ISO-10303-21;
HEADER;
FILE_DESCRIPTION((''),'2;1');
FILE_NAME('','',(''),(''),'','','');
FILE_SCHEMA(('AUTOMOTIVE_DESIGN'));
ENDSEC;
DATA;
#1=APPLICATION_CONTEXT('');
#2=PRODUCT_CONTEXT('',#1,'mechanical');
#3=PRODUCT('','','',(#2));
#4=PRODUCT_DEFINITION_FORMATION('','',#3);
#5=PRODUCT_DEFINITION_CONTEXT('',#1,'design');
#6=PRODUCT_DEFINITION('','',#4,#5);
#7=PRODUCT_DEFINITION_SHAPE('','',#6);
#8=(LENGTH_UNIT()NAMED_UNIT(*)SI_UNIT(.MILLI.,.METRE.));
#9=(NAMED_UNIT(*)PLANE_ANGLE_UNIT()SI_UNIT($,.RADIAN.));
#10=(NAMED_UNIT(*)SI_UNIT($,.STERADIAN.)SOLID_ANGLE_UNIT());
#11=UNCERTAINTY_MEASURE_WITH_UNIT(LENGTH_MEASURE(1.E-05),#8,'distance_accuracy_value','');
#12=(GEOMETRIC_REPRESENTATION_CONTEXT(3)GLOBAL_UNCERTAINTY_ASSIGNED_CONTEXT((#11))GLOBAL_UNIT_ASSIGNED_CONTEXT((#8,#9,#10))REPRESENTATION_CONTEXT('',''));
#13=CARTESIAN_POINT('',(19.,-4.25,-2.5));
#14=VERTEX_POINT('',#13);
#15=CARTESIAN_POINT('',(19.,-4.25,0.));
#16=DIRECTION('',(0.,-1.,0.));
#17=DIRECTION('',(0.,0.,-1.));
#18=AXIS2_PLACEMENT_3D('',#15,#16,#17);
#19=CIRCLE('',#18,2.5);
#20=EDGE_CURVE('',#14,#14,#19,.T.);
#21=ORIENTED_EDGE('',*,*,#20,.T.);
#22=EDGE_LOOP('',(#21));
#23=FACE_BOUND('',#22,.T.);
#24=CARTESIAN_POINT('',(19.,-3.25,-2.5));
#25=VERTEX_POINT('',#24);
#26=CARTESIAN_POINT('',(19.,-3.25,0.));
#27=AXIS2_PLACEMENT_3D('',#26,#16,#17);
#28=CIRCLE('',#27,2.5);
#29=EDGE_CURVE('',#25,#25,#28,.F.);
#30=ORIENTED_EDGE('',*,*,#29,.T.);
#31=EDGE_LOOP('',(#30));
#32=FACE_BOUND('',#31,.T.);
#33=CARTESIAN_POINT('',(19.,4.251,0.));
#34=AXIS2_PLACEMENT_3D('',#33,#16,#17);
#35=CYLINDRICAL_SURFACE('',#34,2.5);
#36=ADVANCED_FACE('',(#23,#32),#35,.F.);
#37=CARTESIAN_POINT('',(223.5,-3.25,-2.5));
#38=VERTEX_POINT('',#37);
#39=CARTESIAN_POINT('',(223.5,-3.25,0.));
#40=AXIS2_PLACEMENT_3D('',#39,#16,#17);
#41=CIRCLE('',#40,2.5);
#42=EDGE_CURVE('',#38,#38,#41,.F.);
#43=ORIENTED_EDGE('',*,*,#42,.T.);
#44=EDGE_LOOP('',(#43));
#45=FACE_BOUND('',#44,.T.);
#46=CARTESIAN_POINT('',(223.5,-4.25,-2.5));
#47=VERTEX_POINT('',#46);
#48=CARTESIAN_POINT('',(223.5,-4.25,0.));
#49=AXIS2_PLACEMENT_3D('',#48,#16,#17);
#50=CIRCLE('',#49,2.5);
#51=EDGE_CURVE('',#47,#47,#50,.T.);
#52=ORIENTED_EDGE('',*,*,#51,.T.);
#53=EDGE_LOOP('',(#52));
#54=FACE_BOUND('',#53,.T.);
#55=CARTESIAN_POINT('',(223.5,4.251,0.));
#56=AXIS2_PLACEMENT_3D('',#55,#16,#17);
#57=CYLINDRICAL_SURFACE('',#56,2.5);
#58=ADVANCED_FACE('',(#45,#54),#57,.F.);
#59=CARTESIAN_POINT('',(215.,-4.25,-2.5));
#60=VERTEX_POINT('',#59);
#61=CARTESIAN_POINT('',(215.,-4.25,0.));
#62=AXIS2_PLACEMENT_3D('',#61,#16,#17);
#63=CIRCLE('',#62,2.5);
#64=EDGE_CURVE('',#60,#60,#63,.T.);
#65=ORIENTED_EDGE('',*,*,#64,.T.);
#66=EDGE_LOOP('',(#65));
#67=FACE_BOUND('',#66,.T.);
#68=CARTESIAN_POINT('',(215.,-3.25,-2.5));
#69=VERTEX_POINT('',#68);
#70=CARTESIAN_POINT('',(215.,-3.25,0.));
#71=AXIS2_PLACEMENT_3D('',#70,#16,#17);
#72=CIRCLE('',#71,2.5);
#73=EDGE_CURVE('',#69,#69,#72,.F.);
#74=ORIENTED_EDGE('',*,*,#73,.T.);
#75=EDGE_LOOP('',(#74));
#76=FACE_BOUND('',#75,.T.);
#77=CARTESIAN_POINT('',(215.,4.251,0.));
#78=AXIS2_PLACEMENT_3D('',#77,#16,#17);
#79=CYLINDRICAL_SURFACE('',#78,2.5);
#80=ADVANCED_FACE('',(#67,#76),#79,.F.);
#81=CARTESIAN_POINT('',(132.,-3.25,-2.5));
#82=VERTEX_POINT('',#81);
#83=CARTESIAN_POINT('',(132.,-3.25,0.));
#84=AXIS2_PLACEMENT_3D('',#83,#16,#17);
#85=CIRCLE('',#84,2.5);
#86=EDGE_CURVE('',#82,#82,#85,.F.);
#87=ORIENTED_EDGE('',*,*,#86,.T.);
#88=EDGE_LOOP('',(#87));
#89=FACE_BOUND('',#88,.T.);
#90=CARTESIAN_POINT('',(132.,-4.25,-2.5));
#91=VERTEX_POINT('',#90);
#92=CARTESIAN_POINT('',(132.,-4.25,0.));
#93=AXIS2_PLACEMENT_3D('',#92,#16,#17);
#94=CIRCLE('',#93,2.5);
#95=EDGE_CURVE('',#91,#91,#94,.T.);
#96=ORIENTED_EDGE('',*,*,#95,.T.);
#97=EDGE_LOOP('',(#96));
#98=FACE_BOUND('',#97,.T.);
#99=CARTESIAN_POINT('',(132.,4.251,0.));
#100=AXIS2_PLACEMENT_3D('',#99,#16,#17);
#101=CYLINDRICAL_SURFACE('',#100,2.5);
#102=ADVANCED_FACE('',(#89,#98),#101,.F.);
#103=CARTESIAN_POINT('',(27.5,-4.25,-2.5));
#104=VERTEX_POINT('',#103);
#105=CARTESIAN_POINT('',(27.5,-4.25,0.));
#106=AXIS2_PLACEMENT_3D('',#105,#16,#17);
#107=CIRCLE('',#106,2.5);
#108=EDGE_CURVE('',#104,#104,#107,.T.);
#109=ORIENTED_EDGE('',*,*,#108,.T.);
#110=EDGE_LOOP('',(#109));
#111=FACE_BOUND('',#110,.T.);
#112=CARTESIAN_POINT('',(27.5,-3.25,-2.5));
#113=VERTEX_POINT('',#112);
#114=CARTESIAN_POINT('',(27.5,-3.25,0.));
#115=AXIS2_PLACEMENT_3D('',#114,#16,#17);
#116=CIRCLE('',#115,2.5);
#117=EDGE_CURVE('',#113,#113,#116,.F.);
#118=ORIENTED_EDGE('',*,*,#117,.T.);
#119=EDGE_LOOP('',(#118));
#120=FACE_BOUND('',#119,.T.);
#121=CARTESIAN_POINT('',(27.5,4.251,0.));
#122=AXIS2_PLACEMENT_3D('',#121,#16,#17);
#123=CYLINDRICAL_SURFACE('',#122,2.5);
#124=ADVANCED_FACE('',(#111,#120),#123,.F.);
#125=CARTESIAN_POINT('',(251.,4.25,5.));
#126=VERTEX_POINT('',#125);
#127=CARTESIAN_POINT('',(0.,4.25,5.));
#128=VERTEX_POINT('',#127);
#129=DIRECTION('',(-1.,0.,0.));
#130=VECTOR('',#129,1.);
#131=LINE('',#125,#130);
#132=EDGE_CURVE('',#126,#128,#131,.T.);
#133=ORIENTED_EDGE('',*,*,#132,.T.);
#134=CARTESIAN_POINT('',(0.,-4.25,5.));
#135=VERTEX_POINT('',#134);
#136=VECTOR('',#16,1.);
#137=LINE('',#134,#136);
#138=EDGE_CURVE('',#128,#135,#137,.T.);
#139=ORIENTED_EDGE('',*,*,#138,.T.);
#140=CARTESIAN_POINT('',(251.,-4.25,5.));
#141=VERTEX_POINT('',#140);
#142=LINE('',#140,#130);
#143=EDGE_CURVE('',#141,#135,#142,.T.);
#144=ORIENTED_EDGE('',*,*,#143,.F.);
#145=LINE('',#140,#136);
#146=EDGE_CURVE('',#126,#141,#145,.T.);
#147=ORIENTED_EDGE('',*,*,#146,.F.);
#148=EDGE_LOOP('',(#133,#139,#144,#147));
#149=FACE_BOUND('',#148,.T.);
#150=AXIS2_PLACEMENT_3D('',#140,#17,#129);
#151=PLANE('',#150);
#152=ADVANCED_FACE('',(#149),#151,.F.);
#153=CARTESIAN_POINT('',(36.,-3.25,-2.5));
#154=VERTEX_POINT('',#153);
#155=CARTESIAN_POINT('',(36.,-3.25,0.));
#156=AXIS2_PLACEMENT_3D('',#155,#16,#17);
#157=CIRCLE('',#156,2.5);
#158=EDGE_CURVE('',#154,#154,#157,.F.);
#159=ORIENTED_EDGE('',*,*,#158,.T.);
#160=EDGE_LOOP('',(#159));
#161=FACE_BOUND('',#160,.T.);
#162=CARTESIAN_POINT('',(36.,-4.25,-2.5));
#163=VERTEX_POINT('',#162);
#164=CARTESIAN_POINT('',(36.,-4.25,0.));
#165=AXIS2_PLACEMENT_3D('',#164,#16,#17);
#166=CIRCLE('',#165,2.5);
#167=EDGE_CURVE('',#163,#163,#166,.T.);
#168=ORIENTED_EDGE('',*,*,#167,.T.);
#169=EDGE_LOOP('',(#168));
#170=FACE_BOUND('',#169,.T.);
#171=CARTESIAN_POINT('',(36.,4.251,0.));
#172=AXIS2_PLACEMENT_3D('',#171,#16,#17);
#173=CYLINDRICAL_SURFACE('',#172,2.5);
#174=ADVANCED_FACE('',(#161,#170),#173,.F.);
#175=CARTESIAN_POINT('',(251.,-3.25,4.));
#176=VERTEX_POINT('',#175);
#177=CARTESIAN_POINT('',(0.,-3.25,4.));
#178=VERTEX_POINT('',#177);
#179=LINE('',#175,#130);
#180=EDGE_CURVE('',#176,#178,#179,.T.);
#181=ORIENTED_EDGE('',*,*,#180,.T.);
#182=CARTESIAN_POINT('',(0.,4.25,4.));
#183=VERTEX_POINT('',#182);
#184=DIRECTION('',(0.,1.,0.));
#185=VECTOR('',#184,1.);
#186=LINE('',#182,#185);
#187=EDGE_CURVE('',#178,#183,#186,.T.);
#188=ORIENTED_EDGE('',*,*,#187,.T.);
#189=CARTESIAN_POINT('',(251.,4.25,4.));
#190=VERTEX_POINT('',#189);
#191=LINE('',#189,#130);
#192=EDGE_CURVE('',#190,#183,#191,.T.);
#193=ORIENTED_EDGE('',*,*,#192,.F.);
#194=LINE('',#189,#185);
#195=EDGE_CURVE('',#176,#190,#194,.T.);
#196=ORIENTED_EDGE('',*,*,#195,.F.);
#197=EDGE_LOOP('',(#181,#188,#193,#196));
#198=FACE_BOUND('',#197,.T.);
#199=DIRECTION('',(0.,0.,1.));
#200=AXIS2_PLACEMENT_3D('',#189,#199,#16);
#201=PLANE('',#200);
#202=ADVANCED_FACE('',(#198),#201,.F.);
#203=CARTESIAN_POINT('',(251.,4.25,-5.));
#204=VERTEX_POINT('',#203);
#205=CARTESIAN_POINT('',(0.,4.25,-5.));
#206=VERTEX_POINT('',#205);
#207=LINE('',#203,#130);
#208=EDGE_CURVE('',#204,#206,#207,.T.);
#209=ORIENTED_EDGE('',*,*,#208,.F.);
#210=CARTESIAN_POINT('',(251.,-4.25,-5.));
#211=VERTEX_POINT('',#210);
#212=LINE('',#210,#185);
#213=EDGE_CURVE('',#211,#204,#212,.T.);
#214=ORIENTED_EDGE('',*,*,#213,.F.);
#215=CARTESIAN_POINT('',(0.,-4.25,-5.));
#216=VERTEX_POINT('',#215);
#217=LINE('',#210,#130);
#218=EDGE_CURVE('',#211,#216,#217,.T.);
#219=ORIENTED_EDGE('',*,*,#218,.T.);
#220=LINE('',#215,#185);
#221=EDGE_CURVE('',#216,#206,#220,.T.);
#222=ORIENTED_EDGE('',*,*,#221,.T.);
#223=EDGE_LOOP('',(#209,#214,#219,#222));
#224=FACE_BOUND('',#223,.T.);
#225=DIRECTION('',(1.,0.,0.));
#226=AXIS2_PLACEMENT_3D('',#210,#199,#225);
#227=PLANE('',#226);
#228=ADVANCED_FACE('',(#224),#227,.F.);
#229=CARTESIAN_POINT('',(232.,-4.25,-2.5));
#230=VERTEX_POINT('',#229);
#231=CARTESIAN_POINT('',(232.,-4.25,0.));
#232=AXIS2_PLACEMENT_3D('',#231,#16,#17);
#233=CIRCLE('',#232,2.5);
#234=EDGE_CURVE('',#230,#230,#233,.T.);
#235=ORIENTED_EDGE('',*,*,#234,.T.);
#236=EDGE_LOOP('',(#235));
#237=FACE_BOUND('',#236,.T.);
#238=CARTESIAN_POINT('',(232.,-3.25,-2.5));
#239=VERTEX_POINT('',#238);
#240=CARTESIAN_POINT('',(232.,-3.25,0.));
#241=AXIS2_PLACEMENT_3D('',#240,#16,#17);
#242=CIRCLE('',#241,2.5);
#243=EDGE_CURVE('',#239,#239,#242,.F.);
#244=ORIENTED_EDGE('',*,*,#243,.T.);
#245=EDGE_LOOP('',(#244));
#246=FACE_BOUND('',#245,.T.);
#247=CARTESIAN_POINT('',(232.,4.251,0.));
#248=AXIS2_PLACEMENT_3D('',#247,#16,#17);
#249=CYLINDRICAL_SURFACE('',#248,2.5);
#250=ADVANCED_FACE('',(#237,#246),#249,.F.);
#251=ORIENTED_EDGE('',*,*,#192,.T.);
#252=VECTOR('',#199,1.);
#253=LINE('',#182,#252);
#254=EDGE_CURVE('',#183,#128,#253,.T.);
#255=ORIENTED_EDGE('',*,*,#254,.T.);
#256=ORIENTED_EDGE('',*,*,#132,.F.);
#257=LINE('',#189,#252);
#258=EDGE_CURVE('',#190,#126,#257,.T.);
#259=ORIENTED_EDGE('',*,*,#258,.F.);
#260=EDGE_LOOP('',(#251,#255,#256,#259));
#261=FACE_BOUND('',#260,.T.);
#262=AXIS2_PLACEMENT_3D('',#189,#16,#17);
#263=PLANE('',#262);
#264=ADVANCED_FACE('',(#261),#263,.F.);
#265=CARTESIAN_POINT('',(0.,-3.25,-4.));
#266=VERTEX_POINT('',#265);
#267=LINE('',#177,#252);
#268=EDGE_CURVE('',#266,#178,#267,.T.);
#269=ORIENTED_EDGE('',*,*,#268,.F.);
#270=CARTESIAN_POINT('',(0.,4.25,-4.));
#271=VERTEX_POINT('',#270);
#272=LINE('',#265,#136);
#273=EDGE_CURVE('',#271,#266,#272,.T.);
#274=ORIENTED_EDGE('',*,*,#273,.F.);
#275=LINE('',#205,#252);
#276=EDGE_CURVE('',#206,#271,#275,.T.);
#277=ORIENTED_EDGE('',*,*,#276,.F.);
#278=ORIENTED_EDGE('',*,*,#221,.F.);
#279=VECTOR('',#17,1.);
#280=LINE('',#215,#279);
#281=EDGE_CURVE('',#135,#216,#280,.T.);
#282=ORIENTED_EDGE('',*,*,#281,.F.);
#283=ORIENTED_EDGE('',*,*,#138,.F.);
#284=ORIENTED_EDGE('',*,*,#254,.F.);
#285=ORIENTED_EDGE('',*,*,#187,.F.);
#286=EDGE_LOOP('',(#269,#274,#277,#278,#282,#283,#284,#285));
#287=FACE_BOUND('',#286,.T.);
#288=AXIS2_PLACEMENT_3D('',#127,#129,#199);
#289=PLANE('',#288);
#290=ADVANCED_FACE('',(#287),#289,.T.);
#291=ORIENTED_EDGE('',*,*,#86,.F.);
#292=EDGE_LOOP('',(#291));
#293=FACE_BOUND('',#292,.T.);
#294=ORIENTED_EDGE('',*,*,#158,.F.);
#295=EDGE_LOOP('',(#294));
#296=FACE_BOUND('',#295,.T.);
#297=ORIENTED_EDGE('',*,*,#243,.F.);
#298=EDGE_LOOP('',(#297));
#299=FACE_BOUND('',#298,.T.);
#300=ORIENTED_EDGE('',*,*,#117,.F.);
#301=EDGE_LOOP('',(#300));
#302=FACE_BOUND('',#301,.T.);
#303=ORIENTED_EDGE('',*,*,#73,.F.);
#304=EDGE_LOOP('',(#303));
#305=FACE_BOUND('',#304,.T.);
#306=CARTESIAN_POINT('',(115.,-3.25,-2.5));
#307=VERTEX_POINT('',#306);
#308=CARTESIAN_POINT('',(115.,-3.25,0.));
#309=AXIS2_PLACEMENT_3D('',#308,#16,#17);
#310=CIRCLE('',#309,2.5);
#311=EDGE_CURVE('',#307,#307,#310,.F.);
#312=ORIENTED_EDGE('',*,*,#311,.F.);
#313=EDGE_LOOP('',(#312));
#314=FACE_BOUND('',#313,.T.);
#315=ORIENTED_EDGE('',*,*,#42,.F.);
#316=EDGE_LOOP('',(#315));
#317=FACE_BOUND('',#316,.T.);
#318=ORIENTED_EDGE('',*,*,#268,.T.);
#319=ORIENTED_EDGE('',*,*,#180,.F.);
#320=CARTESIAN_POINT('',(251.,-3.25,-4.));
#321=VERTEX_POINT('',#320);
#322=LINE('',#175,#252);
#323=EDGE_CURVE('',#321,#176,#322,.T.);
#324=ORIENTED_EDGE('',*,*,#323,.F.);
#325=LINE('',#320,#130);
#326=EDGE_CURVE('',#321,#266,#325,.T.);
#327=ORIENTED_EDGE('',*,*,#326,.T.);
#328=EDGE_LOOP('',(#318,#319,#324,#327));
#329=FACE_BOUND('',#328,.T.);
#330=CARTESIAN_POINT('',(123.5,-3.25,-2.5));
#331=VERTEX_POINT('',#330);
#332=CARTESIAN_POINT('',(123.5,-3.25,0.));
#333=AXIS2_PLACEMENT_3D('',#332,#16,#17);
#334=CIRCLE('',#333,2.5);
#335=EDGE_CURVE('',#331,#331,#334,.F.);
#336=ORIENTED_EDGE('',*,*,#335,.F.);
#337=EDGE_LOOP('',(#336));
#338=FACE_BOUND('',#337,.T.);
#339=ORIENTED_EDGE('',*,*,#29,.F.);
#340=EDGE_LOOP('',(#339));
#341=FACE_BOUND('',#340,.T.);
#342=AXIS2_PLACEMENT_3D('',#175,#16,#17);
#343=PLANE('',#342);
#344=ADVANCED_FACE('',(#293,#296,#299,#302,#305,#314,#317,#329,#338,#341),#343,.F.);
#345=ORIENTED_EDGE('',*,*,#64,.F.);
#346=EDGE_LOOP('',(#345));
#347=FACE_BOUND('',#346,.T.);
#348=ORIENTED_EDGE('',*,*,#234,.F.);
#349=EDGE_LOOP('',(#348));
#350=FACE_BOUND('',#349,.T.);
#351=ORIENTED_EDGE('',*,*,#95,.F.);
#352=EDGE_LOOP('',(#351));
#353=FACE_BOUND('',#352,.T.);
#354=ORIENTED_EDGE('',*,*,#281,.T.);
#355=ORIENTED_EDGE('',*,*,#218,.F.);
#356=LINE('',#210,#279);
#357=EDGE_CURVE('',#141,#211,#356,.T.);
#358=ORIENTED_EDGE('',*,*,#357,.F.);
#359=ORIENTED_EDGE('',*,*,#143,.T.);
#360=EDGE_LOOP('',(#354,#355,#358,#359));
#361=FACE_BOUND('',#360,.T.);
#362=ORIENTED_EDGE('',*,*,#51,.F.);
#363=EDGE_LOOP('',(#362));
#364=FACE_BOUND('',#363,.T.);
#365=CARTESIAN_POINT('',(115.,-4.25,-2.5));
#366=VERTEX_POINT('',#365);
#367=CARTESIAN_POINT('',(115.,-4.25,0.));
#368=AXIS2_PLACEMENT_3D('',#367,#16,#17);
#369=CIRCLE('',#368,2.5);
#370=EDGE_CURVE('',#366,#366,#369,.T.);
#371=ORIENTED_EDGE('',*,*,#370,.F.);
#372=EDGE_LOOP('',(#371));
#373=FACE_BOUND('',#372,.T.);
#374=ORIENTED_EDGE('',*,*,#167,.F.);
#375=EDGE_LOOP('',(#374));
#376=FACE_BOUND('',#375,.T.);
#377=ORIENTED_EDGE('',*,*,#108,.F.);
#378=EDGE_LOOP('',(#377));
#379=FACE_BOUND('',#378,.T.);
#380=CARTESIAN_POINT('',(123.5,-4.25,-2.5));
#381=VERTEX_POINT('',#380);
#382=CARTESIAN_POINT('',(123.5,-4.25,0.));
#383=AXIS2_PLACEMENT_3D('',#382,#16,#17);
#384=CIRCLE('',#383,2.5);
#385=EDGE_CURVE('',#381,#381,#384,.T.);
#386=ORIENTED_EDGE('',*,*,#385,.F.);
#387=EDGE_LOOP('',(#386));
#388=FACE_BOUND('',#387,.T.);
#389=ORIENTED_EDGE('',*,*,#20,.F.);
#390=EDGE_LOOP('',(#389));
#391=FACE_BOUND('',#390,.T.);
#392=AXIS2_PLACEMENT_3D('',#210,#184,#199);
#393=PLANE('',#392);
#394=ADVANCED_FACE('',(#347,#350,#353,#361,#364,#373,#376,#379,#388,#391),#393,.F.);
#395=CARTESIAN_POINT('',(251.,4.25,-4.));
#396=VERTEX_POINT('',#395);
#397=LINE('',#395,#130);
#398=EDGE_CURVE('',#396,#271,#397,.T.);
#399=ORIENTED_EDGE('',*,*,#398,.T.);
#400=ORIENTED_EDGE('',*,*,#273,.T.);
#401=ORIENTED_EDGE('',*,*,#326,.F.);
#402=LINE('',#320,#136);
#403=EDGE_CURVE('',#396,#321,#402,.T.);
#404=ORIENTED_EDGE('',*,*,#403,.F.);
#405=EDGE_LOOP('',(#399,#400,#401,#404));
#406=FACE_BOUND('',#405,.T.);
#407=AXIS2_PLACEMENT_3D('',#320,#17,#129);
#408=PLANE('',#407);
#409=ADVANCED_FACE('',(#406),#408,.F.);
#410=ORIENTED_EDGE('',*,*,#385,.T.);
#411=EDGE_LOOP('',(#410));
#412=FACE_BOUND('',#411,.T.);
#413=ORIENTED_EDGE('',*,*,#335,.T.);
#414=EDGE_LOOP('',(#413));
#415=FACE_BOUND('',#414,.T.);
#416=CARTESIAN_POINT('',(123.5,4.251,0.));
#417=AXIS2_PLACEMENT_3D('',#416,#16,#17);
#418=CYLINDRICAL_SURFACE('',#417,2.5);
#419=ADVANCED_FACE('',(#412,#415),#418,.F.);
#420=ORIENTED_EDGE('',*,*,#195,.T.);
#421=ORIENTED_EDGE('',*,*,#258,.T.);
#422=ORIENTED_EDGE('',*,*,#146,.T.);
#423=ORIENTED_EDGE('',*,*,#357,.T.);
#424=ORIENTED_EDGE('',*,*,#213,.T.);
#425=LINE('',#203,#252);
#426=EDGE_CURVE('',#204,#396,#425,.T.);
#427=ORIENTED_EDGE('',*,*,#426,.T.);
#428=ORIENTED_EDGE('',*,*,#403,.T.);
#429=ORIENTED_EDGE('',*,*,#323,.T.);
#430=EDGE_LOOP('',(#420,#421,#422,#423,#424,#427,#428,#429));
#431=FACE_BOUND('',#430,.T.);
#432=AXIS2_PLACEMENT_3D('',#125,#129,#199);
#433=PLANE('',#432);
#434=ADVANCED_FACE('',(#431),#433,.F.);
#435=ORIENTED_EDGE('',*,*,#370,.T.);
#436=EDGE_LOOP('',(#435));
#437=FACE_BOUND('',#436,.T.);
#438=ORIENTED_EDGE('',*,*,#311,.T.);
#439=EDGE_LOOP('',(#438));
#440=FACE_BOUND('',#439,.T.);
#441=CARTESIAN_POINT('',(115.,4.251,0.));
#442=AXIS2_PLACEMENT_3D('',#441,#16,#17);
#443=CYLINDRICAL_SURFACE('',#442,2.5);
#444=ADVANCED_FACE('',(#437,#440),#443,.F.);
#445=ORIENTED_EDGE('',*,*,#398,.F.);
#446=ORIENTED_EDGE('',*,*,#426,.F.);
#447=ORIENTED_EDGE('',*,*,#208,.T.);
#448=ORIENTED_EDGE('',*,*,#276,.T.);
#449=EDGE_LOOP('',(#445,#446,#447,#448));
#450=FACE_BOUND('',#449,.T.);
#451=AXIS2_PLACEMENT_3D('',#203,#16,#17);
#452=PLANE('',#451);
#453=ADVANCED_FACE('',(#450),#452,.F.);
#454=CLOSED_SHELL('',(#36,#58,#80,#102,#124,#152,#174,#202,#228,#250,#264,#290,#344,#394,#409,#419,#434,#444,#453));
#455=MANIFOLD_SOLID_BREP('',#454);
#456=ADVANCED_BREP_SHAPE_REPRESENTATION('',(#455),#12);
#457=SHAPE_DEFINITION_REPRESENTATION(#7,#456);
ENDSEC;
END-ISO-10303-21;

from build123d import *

# Parameters (mm, degrees)
BOSS_EXTRUDE1_DEPTH = 251
CUT_EXTRUDE1_REACH  = 253.194
SKETCH3_R           = 2.5


with BuildPart() as part:
    # Sketch2 → Boss-Extrude1 (new body)
    with BuildSketch(Plane(origin=(0, 0, 0), x_dir=(0, 0, -1), z_dir=(1, 0, 0))):
        Polygon((-4, 4.25), (-4, -3.25), (4, -3.25), (4, 4.25), (5, 4.25), (5, -4.25), (-5, -4.25), (-5, 4.25), align=None)
    extrude(amount=BOSS_EXTRUDE1_DEPTH)

    # Sketch3 → Cut-Extrude1 (cut, up to next)
    with BuildSketch(Plane.XZ.offset(4.25), mode=Mode.PRIVATE) as cut_extrude1_sk1:
        with Locations(Location((19, 0, 0), (0, 0, 270))):
            Circle(SKETCH3_R)
    cut_extrude1_tool1 = extrude(cut_extrude1_sk1.sketch, amount=-CUT_EXTRUDE1_REACH, mode=Mode.PRIVATE) & part.part
    # Sketch3 → Cut-Extrude1 (cut, up to next)
    with BuildSketch(Plane.XZ.offset(4.25), mode=Mode.PRIVATE) as cut_extrude1_sk2:
        with Locations(Location((27.5, 0, 0), (0, 0, 270))):
            Circle(SKETCH3_R)
    cut_extrude1_tool2 = extrude(cut_extrude1_sk2.sketch, amount=-CUT_EXTRUDE1_REACH, mode=Mode.PRIVATE) & part.part
    # Sketch3 → Cut-Extrude1 (cut, up to next)
    with BuildSketch(Plane.XZ.offset(4.25), mode=Mode.PRIVATE) as cut_extrude1_sk3:
        with Locations(Location((36, 0, 0), (0, 0, 270))):
            Circle(SKETCH3_R)
    cut_extrude1_tool3 = extrude(cut_extrude1_sk3.sketch, amount=-CUT_EXTRUDE1_REACH, mode=Mode.PRIVATE) & part.part
    # Sketch3 → Cut-Extrude1 (cut, up to next)
    with BuildSketch(Plane.XZ.offset(4.25), mode=Mode.PRIVATE) as cut_extrude1_sk4:
        with Locations(Location((115, 0, 0), (0, 0, 270))):
            Circle(SKETCH3_R)
    cut_extrude1_tool4 = extrude(cut_extrude1_sk4.sketch, amount=-CUT_EXTRUDE1_REACH, mode=Mode.PRIVATE) & part.part
    # Sketch3 → Cut-Extrude1 (cut, up to next)
    with BuildSketch(Plane.XZ.offset(4.25), mode=Mode.PRIVATE) as cut_extrude1_sk5:
        with Locations(Location((123.5, 0, 0), (0, 0, 270))):
            Circle(SKETCH3_R)
    cut_extrude1_tool5 = extrude(cut_extrude1_sk5.sketch, amount=-CUT_EXTRUDE1_REACH, mode=Mode.PRIVATE) & part.part
    # Sketch3 → Cut-Extrude1 (cut, up to next)
    with BuildSketch(Plane.XZ.offset(4.25), mode=Mode.PRIVATE) as cut_extrude1_sk6:
        with Locations(Location((132, 0, 0), (0, 0, 270))):
            Circle(SKETCH3_R)
    cut_extrude1_tool6 = extrude(cut_extrude1_sk6.sketch, amount=-CUT_EXTRUDE1_REACH, mode=Mode.PRIVATE) & part.part
    # Sketch3 → Cut-Extrude1 (cut, up to next)
    with BuildSketch(Plane.XZ.offset(4.25), mode=Mode.PRIVATE) as cut_extrude1_sk7:
        with Locations(Location((232, 0, 0), (0, 0, 270))):
            Circle(SKETCH3_R)
    cut_extrude1_tool7 = extrude(cut_extrude1_sk7.sketch, amount=-CUT_EXTRUDE1_REACH, mode=Mode.PRIVATE) & part.part
    # Sketch3 → Cut-Extrude1 (cut, up to next)
    with BuildSketch(Plane.XZ.offset(4.25), mode=Mode.PRIVATE) as cut_extrude1_sk8:
        with Locations(Location((223.5, 0, 0), (0, 0, 270))):
            Circle(SKETCH3_R)
    cut_extrude1_tool8 = extrude(cut_extrude1_sk8.sketch, amount=-CUT_EXTRUDE1_REACH, mode=Mode.PRIVATE) & part.part
    # Sketch3 → Cut-Extrude1 (cut, up to next)
    with BuildSketch(Plane.XZ.offset(4.25), mode=Mode.PRIVATE) as cut_extrude1_sk9:
        with Locations(Location((215, 0, 0), (0, 0, 270))):
            Circle(SKETCH3_R)
    cut_extrude1_tool9 = extrude(cut_extrude1_sk9.sketch, amount=-CUT_EXTRUDE1_REACH, mode=Mode.PRIVATE) & part.part
    add(cut_extrude1_tool1.solids().sort_by_distance((19, -4.25, 0))[0], mode=Mode.SUBTRACT)
    add(cut_extrude1_tool2.solids().sort_by_distance((27.5, -4.25, 0))[0], mode=Mode.SUBTRACT)
    add(cut_extrude1_tool3.solids().sort_by_distance((36, -4.25, 0))[0], mode=Mode.SUBTRACT)
    add(cut_extrude1_tool4.solids().sort_by_distance((115, -4.25, 0))[0], mode=Mode.SUBTRACT)
    add(cut_extrude1_tool5.solids().sort_by_distance((123.5, -4.25, 0))[0], mode=Mode.SUBTRACT)
    add(cut_extrude1_tool6.solids().sort_by_distance((132, -4.25, 0))[0], mode=Mode.SUBTRACT)
    add(cut_extrude1_tool7.solids().sort_by_distance((232, -4.25, 0))[0], mode=Mode.SUBTRACT)
    add(cut_extrude1_tool8.solids().sort_by_distance((223.5, -4.25, 0))[0], mode=Mode.SUBTRACT)
    add(cut_extrude1_tool9.solids().sort_by_distance((215, -4.25, 0))[0], mode=Mode.SUBTRACT)


solid = part.part
